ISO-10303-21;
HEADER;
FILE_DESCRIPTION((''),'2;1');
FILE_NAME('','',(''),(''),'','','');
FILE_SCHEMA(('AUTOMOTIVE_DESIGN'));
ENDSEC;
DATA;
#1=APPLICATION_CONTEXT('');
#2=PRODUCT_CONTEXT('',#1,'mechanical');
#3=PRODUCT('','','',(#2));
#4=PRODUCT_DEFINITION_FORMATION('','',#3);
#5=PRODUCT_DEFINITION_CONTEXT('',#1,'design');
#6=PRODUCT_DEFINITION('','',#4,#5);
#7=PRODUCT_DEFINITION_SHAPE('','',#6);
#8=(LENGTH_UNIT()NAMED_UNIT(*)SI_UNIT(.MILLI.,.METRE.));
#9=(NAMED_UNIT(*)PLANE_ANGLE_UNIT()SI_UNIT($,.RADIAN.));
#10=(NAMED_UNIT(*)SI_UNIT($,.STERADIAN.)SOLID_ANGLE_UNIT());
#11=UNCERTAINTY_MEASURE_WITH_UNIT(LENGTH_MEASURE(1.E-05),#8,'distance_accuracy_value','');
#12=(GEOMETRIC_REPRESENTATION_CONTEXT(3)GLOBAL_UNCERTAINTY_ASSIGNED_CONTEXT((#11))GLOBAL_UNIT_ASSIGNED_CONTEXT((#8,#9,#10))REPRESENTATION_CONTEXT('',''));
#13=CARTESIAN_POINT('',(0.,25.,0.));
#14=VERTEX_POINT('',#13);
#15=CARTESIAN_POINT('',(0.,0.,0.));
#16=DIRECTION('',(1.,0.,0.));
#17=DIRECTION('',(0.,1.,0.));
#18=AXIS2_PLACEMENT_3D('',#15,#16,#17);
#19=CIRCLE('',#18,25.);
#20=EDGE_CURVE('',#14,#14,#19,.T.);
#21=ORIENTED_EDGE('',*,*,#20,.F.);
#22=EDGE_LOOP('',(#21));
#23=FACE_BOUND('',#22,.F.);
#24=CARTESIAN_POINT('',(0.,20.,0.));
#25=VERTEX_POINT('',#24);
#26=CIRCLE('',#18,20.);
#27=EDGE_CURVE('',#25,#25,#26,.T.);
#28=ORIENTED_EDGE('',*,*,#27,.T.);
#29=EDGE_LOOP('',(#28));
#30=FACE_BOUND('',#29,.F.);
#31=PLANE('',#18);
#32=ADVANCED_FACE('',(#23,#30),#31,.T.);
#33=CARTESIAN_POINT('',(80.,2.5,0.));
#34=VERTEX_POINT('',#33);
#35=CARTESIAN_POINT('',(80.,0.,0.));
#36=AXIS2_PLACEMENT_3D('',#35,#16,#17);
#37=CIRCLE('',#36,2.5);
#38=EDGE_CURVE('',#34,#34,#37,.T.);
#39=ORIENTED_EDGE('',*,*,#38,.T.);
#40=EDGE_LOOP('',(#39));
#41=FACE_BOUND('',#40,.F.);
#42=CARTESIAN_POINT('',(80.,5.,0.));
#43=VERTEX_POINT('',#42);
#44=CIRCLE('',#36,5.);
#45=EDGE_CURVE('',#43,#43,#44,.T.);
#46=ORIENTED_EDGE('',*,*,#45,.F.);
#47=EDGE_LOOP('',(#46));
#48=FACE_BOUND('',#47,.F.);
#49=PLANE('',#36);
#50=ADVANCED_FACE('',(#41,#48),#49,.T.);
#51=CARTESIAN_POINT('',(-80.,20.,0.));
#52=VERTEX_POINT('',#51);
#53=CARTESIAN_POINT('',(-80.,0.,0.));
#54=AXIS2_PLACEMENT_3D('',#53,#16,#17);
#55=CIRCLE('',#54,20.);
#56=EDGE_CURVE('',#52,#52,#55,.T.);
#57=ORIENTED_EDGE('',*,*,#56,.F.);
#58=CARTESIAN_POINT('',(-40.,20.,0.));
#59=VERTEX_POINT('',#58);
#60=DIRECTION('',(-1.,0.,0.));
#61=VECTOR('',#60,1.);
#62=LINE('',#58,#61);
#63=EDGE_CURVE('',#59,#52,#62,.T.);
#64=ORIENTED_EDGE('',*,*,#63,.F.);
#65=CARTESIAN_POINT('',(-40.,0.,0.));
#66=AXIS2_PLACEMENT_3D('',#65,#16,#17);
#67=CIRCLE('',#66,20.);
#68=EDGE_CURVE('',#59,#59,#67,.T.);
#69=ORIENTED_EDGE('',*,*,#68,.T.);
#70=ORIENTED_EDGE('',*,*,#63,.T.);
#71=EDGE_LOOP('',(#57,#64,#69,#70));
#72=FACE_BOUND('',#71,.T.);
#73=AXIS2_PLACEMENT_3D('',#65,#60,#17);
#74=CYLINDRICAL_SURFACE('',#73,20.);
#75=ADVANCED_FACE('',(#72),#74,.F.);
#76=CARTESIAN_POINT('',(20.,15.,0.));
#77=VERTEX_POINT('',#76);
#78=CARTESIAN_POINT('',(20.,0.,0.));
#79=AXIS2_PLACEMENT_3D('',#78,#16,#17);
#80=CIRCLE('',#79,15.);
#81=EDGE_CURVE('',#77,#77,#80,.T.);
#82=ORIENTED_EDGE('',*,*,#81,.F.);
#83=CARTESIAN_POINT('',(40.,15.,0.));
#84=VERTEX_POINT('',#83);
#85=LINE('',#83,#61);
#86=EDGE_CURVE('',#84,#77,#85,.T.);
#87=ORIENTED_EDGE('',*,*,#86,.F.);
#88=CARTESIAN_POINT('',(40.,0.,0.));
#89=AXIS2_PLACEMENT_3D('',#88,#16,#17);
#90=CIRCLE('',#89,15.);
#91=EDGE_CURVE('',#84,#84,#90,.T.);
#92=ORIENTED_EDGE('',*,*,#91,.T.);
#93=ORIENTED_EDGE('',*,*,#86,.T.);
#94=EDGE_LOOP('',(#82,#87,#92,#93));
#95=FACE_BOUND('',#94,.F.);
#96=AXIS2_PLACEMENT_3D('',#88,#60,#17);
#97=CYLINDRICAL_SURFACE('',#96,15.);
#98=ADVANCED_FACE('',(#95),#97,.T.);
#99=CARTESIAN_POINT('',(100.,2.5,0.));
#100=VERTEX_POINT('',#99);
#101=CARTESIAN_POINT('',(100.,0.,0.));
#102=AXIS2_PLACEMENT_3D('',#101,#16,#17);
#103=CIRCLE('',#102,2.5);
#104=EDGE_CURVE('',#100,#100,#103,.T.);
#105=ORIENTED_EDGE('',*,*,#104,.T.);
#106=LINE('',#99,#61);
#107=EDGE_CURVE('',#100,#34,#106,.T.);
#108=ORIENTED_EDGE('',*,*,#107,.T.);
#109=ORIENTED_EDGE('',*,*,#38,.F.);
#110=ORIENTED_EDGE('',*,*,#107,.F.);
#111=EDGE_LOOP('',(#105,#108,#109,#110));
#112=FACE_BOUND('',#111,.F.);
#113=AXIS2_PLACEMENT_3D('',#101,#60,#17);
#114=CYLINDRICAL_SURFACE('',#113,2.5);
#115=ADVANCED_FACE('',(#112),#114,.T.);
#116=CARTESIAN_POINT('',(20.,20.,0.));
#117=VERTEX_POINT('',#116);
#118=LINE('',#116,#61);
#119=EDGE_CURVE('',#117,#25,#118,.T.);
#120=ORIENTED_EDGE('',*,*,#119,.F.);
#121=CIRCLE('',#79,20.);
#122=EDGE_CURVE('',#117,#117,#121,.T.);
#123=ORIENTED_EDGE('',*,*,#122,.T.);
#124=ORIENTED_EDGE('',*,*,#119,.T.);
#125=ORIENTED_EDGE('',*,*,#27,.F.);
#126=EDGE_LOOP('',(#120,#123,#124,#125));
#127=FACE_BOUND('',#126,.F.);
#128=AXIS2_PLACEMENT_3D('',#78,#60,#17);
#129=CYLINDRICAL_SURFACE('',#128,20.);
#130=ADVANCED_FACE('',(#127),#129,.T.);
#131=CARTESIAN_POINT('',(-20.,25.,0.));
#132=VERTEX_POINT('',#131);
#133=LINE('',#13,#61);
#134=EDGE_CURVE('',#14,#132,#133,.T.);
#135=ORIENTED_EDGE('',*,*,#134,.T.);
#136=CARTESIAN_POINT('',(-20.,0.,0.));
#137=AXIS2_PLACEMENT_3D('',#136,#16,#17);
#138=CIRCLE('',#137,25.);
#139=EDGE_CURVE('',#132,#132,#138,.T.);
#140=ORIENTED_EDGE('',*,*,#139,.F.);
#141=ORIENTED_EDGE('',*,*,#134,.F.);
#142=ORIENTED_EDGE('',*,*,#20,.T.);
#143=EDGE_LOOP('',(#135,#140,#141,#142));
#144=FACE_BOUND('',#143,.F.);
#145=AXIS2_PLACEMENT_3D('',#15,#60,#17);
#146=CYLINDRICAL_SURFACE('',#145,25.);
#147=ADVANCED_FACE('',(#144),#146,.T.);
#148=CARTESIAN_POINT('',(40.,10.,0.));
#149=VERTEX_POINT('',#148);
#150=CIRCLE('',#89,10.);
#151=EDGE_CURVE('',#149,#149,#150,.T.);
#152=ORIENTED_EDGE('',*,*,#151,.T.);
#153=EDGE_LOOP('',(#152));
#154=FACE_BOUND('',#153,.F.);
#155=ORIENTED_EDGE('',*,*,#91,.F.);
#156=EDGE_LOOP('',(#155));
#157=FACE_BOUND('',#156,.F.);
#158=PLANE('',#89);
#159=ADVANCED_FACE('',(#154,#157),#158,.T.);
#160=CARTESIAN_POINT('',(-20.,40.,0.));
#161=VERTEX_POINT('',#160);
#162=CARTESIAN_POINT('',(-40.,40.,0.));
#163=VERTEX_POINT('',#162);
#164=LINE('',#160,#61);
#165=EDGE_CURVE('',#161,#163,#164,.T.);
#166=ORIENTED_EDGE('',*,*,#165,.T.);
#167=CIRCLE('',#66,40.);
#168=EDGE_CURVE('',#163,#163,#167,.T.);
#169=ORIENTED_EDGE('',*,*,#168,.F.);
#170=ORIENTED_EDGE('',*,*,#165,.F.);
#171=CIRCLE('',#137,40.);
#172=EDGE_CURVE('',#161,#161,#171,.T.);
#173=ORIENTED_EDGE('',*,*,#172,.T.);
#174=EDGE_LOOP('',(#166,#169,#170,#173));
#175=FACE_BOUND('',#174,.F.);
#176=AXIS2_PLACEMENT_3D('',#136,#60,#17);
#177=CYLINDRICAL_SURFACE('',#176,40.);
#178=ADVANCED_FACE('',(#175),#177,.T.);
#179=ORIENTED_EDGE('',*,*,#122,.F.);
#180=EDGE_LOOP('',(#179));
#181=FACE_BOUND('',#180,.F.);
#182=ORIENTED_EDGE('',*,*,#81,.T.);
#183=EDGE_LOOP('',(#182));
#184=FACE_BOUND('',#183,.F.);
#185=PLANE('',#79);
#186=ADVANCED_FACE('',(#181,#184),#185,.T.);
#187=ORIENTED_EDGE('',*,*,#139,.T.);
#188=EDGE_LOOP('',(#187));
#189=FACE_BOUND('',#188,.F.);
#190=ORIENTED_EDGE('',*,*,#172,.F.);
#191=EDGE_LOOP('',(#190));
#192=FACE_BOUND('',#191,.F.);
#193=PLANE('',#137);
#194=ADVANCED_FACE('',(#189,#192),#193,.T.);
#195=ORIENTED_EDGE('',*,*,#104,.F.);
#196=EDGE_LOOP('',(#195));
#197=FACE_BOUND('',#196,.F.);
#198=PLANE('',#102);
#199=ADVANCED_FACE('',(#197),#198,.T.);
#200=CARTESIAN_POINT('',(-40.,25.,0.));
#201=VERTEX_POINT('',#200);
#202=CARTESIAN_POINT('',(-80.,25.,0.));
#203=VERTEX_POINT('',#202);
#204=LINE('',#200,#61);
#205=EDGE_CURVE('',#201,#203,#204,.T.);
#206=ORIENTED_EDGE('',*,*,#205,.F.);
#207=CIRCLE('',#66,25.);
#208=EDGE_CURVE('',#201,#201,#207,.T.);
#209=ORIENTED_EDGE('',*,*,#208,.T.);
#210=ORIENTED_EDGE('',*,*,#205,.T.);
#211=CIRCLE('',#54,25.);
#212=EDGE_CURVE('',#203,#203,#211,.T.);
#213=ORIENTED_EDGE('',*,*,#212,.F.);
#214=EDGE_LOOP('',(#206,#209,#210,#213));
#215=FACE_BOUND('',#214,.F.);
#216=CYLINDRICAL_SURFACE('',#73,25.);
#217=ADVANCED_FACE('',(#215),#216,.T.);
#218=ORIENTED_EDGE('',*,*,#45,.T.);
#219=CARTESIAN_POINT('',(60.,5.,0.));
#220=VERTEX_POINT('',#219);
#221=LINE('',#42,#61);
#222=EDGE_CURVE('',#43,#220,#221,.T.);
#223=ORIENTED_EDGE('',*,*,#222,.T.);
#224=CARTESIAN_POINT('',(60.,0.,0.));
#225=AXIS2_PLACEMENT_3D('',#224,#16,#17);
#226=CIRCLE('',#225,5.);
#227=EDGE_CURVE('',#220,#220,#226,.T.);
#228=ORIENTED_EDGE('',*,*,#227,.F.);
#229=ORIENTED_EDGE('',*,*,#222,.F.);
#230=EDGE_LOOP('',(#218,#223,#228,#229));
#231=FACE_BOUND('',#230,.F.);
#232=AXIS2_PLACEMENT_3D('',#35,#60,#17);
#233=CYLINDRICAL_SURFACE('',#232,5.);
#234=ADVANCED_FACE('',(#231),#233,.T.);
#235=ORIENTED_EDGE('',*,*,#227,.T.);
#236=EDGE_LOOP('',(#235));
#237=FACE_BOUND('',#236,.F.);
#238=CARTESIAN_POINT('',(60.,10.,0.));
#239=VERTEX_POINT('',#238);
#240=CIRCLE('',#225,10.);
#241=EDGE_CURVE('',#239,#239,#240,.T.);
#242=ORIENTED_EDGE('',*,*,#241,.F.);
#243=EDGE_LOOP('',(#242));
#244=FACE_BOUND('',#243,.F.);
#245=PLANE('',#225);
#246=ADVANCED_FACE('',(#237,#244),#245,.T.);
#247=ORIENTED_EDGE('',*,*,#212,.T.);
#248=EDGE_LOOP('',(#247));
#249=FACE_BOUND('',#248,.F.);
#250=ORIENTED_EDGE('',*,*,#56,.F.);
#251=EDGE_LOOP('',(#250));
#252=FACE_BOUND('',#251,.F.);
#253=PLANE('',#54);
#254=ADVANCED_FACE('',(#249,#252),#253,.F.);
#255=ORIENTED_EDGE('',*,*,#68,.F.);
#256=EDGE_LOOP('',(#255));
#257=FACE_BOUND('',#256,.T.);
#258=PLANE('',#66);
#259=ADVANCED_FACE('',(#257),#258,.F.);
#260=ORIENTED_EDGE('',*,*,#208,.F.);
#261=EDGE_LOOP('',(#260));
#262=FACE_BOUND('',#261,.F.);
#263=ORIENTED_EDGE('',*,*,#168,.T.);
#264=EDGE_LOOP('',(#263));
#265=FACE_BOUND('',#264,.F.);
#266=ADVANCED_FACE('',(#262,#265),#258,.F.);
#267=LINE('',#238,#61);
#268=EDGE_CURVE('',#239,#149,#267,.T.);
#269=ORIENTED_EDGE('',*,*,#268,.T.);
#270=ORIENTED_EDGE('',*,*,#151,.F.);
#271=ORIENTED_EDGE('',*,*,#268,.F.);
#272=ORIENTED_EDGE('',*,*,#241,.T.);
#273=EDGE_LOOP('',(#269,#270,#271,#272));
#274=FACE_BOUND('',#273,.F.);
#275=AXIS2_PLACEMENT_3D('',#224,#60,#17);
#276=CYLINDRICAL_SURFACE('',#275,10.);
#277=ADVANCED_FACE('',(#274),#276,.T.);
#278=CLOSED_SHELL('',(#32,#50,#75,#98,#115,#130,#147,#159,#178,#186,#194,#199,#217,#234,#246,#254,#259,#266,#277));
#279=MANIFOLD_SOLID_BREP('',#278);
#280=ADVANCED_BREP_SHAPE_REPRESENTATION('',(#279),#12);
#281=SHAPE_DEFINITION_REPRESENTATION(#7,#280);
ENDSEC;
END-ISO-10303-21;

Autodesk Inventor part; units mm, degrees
ref_plane "YZ Plane" through (0, 0, 0) normal (1, 0, 0) x (0, 1, 0)
ref_plane "XZ Plane" through (0, 0, 0) normal (0, 1, 0) x (-1, 0, 0)
ref_plane "XY Plane" through (0, 0, 0) normal (0, 0, 1) x (1, 0, 0)
sketch "草圖1" plane through (0, 0, 0) normal (0, 0, 1) x (1, 0, 0)
  line L0 (-80, 0) -> (-40, 0)
  line L1 (-40, 0) -> (-40, 25)
  line L2 (-40, 25) -> (-80, 25)
  line L3 (-80, 25) -> (-80, 0)
  line L4 (-40, 0) -> (-20, 0)
  line L5 (-20, 0) -> (-20, 40)
  line L6 (-20, 40) -> (-40, 40)
  line L7 (-40, 40) -> (-40, 0)
  line L8 (-20, 0) -> (0, 0)
  line L9 (0, 0) -> (0, 25)
  line L10 (0, 25) -> (-20, 25)
  line L11 (-20, 25) -> (-20, 0)
  line L12 (0, 0) -> (20, 0)
  line L13 (20, 0) -> (20, 20)
  line L14 (20, 20) -> (0, 20)
  line L15 (0, 20) -> (0, 0)
  line L16 (20, 0) -> (40, 0)
  line L17 (40, 0) -> (40, 15)
  line L18 (40, 15) -> (20, 15)
  line L19 (20, 15) -> (20, 0)
  line L20 (40, 0) -> (60, 0)
  line L21 (60, 0) -> (60, 10)
  line L22 (60, 10) -> (40, 10)
  line L23 (40, 10) -> (40, 0)
  line L24 (60, 0) -> (80, 0)
  line L25 (80, 0) -> (80, 5)
  line L26 (80, 5) -> (60, 5)
  line L27 (60, 5) -> (60, 0)
  line L28 (80, 0) -> (100, 0)
  line L29 (100, 0) -> (100, 2.5)
  line L30 (100, 2.5) -> (80, 2.5)
  line L31 (80, 2.5) -> (80, 0)
  line L32 (-80, 0) -> (-40, 0)
  line L33 (-40, 0) -> (-40, 20)
  line L34 (-40, 20) -> (-80, 20)
  line L35 (-80, 20) -> (-80, 0)
  line L36 (-40, 40) -> (-20, 40)
  line L37 (-20, 40) -> (-20, 0)
  line L38 (-20, 0) -> (-40, 0)
  line L39 (-40, 0) -> (-40, 40)
  dimension "d0" = 20
  dimension "d1" = 25
  dimension "d2" = 40
  dimension "d3" = 25
  dimension "d4" = 20
  dimension "d5" = 15
  dimension "d6" = 10
  dimension "d7" = 5
  dimension "d8" = 2.5
  dimension "d9" = 40
  dimension "d10" = 180
  dimension "d11" = 20
  dimension "d12" = 20
  dimension "d13" = 20
  dimension "d14" = 20
  dimension "d15" = 20
  dimension "d16" = 20
revolve "迴轉1" add sketch "草圖1" angle 360 about axis through (-80, 0, 0) along (1, 0, 0) contours L1 L7 L6 L5 L4 | L3 L2 L1 L34 | L5 L10 L9 L8 | L9 L14 L13 L12 | L13 L18 L17 L16 | L17 L22 L21 L20 | L21 L26 L25 L24 | L25 L30 L29 L28
properties part number "P3"
